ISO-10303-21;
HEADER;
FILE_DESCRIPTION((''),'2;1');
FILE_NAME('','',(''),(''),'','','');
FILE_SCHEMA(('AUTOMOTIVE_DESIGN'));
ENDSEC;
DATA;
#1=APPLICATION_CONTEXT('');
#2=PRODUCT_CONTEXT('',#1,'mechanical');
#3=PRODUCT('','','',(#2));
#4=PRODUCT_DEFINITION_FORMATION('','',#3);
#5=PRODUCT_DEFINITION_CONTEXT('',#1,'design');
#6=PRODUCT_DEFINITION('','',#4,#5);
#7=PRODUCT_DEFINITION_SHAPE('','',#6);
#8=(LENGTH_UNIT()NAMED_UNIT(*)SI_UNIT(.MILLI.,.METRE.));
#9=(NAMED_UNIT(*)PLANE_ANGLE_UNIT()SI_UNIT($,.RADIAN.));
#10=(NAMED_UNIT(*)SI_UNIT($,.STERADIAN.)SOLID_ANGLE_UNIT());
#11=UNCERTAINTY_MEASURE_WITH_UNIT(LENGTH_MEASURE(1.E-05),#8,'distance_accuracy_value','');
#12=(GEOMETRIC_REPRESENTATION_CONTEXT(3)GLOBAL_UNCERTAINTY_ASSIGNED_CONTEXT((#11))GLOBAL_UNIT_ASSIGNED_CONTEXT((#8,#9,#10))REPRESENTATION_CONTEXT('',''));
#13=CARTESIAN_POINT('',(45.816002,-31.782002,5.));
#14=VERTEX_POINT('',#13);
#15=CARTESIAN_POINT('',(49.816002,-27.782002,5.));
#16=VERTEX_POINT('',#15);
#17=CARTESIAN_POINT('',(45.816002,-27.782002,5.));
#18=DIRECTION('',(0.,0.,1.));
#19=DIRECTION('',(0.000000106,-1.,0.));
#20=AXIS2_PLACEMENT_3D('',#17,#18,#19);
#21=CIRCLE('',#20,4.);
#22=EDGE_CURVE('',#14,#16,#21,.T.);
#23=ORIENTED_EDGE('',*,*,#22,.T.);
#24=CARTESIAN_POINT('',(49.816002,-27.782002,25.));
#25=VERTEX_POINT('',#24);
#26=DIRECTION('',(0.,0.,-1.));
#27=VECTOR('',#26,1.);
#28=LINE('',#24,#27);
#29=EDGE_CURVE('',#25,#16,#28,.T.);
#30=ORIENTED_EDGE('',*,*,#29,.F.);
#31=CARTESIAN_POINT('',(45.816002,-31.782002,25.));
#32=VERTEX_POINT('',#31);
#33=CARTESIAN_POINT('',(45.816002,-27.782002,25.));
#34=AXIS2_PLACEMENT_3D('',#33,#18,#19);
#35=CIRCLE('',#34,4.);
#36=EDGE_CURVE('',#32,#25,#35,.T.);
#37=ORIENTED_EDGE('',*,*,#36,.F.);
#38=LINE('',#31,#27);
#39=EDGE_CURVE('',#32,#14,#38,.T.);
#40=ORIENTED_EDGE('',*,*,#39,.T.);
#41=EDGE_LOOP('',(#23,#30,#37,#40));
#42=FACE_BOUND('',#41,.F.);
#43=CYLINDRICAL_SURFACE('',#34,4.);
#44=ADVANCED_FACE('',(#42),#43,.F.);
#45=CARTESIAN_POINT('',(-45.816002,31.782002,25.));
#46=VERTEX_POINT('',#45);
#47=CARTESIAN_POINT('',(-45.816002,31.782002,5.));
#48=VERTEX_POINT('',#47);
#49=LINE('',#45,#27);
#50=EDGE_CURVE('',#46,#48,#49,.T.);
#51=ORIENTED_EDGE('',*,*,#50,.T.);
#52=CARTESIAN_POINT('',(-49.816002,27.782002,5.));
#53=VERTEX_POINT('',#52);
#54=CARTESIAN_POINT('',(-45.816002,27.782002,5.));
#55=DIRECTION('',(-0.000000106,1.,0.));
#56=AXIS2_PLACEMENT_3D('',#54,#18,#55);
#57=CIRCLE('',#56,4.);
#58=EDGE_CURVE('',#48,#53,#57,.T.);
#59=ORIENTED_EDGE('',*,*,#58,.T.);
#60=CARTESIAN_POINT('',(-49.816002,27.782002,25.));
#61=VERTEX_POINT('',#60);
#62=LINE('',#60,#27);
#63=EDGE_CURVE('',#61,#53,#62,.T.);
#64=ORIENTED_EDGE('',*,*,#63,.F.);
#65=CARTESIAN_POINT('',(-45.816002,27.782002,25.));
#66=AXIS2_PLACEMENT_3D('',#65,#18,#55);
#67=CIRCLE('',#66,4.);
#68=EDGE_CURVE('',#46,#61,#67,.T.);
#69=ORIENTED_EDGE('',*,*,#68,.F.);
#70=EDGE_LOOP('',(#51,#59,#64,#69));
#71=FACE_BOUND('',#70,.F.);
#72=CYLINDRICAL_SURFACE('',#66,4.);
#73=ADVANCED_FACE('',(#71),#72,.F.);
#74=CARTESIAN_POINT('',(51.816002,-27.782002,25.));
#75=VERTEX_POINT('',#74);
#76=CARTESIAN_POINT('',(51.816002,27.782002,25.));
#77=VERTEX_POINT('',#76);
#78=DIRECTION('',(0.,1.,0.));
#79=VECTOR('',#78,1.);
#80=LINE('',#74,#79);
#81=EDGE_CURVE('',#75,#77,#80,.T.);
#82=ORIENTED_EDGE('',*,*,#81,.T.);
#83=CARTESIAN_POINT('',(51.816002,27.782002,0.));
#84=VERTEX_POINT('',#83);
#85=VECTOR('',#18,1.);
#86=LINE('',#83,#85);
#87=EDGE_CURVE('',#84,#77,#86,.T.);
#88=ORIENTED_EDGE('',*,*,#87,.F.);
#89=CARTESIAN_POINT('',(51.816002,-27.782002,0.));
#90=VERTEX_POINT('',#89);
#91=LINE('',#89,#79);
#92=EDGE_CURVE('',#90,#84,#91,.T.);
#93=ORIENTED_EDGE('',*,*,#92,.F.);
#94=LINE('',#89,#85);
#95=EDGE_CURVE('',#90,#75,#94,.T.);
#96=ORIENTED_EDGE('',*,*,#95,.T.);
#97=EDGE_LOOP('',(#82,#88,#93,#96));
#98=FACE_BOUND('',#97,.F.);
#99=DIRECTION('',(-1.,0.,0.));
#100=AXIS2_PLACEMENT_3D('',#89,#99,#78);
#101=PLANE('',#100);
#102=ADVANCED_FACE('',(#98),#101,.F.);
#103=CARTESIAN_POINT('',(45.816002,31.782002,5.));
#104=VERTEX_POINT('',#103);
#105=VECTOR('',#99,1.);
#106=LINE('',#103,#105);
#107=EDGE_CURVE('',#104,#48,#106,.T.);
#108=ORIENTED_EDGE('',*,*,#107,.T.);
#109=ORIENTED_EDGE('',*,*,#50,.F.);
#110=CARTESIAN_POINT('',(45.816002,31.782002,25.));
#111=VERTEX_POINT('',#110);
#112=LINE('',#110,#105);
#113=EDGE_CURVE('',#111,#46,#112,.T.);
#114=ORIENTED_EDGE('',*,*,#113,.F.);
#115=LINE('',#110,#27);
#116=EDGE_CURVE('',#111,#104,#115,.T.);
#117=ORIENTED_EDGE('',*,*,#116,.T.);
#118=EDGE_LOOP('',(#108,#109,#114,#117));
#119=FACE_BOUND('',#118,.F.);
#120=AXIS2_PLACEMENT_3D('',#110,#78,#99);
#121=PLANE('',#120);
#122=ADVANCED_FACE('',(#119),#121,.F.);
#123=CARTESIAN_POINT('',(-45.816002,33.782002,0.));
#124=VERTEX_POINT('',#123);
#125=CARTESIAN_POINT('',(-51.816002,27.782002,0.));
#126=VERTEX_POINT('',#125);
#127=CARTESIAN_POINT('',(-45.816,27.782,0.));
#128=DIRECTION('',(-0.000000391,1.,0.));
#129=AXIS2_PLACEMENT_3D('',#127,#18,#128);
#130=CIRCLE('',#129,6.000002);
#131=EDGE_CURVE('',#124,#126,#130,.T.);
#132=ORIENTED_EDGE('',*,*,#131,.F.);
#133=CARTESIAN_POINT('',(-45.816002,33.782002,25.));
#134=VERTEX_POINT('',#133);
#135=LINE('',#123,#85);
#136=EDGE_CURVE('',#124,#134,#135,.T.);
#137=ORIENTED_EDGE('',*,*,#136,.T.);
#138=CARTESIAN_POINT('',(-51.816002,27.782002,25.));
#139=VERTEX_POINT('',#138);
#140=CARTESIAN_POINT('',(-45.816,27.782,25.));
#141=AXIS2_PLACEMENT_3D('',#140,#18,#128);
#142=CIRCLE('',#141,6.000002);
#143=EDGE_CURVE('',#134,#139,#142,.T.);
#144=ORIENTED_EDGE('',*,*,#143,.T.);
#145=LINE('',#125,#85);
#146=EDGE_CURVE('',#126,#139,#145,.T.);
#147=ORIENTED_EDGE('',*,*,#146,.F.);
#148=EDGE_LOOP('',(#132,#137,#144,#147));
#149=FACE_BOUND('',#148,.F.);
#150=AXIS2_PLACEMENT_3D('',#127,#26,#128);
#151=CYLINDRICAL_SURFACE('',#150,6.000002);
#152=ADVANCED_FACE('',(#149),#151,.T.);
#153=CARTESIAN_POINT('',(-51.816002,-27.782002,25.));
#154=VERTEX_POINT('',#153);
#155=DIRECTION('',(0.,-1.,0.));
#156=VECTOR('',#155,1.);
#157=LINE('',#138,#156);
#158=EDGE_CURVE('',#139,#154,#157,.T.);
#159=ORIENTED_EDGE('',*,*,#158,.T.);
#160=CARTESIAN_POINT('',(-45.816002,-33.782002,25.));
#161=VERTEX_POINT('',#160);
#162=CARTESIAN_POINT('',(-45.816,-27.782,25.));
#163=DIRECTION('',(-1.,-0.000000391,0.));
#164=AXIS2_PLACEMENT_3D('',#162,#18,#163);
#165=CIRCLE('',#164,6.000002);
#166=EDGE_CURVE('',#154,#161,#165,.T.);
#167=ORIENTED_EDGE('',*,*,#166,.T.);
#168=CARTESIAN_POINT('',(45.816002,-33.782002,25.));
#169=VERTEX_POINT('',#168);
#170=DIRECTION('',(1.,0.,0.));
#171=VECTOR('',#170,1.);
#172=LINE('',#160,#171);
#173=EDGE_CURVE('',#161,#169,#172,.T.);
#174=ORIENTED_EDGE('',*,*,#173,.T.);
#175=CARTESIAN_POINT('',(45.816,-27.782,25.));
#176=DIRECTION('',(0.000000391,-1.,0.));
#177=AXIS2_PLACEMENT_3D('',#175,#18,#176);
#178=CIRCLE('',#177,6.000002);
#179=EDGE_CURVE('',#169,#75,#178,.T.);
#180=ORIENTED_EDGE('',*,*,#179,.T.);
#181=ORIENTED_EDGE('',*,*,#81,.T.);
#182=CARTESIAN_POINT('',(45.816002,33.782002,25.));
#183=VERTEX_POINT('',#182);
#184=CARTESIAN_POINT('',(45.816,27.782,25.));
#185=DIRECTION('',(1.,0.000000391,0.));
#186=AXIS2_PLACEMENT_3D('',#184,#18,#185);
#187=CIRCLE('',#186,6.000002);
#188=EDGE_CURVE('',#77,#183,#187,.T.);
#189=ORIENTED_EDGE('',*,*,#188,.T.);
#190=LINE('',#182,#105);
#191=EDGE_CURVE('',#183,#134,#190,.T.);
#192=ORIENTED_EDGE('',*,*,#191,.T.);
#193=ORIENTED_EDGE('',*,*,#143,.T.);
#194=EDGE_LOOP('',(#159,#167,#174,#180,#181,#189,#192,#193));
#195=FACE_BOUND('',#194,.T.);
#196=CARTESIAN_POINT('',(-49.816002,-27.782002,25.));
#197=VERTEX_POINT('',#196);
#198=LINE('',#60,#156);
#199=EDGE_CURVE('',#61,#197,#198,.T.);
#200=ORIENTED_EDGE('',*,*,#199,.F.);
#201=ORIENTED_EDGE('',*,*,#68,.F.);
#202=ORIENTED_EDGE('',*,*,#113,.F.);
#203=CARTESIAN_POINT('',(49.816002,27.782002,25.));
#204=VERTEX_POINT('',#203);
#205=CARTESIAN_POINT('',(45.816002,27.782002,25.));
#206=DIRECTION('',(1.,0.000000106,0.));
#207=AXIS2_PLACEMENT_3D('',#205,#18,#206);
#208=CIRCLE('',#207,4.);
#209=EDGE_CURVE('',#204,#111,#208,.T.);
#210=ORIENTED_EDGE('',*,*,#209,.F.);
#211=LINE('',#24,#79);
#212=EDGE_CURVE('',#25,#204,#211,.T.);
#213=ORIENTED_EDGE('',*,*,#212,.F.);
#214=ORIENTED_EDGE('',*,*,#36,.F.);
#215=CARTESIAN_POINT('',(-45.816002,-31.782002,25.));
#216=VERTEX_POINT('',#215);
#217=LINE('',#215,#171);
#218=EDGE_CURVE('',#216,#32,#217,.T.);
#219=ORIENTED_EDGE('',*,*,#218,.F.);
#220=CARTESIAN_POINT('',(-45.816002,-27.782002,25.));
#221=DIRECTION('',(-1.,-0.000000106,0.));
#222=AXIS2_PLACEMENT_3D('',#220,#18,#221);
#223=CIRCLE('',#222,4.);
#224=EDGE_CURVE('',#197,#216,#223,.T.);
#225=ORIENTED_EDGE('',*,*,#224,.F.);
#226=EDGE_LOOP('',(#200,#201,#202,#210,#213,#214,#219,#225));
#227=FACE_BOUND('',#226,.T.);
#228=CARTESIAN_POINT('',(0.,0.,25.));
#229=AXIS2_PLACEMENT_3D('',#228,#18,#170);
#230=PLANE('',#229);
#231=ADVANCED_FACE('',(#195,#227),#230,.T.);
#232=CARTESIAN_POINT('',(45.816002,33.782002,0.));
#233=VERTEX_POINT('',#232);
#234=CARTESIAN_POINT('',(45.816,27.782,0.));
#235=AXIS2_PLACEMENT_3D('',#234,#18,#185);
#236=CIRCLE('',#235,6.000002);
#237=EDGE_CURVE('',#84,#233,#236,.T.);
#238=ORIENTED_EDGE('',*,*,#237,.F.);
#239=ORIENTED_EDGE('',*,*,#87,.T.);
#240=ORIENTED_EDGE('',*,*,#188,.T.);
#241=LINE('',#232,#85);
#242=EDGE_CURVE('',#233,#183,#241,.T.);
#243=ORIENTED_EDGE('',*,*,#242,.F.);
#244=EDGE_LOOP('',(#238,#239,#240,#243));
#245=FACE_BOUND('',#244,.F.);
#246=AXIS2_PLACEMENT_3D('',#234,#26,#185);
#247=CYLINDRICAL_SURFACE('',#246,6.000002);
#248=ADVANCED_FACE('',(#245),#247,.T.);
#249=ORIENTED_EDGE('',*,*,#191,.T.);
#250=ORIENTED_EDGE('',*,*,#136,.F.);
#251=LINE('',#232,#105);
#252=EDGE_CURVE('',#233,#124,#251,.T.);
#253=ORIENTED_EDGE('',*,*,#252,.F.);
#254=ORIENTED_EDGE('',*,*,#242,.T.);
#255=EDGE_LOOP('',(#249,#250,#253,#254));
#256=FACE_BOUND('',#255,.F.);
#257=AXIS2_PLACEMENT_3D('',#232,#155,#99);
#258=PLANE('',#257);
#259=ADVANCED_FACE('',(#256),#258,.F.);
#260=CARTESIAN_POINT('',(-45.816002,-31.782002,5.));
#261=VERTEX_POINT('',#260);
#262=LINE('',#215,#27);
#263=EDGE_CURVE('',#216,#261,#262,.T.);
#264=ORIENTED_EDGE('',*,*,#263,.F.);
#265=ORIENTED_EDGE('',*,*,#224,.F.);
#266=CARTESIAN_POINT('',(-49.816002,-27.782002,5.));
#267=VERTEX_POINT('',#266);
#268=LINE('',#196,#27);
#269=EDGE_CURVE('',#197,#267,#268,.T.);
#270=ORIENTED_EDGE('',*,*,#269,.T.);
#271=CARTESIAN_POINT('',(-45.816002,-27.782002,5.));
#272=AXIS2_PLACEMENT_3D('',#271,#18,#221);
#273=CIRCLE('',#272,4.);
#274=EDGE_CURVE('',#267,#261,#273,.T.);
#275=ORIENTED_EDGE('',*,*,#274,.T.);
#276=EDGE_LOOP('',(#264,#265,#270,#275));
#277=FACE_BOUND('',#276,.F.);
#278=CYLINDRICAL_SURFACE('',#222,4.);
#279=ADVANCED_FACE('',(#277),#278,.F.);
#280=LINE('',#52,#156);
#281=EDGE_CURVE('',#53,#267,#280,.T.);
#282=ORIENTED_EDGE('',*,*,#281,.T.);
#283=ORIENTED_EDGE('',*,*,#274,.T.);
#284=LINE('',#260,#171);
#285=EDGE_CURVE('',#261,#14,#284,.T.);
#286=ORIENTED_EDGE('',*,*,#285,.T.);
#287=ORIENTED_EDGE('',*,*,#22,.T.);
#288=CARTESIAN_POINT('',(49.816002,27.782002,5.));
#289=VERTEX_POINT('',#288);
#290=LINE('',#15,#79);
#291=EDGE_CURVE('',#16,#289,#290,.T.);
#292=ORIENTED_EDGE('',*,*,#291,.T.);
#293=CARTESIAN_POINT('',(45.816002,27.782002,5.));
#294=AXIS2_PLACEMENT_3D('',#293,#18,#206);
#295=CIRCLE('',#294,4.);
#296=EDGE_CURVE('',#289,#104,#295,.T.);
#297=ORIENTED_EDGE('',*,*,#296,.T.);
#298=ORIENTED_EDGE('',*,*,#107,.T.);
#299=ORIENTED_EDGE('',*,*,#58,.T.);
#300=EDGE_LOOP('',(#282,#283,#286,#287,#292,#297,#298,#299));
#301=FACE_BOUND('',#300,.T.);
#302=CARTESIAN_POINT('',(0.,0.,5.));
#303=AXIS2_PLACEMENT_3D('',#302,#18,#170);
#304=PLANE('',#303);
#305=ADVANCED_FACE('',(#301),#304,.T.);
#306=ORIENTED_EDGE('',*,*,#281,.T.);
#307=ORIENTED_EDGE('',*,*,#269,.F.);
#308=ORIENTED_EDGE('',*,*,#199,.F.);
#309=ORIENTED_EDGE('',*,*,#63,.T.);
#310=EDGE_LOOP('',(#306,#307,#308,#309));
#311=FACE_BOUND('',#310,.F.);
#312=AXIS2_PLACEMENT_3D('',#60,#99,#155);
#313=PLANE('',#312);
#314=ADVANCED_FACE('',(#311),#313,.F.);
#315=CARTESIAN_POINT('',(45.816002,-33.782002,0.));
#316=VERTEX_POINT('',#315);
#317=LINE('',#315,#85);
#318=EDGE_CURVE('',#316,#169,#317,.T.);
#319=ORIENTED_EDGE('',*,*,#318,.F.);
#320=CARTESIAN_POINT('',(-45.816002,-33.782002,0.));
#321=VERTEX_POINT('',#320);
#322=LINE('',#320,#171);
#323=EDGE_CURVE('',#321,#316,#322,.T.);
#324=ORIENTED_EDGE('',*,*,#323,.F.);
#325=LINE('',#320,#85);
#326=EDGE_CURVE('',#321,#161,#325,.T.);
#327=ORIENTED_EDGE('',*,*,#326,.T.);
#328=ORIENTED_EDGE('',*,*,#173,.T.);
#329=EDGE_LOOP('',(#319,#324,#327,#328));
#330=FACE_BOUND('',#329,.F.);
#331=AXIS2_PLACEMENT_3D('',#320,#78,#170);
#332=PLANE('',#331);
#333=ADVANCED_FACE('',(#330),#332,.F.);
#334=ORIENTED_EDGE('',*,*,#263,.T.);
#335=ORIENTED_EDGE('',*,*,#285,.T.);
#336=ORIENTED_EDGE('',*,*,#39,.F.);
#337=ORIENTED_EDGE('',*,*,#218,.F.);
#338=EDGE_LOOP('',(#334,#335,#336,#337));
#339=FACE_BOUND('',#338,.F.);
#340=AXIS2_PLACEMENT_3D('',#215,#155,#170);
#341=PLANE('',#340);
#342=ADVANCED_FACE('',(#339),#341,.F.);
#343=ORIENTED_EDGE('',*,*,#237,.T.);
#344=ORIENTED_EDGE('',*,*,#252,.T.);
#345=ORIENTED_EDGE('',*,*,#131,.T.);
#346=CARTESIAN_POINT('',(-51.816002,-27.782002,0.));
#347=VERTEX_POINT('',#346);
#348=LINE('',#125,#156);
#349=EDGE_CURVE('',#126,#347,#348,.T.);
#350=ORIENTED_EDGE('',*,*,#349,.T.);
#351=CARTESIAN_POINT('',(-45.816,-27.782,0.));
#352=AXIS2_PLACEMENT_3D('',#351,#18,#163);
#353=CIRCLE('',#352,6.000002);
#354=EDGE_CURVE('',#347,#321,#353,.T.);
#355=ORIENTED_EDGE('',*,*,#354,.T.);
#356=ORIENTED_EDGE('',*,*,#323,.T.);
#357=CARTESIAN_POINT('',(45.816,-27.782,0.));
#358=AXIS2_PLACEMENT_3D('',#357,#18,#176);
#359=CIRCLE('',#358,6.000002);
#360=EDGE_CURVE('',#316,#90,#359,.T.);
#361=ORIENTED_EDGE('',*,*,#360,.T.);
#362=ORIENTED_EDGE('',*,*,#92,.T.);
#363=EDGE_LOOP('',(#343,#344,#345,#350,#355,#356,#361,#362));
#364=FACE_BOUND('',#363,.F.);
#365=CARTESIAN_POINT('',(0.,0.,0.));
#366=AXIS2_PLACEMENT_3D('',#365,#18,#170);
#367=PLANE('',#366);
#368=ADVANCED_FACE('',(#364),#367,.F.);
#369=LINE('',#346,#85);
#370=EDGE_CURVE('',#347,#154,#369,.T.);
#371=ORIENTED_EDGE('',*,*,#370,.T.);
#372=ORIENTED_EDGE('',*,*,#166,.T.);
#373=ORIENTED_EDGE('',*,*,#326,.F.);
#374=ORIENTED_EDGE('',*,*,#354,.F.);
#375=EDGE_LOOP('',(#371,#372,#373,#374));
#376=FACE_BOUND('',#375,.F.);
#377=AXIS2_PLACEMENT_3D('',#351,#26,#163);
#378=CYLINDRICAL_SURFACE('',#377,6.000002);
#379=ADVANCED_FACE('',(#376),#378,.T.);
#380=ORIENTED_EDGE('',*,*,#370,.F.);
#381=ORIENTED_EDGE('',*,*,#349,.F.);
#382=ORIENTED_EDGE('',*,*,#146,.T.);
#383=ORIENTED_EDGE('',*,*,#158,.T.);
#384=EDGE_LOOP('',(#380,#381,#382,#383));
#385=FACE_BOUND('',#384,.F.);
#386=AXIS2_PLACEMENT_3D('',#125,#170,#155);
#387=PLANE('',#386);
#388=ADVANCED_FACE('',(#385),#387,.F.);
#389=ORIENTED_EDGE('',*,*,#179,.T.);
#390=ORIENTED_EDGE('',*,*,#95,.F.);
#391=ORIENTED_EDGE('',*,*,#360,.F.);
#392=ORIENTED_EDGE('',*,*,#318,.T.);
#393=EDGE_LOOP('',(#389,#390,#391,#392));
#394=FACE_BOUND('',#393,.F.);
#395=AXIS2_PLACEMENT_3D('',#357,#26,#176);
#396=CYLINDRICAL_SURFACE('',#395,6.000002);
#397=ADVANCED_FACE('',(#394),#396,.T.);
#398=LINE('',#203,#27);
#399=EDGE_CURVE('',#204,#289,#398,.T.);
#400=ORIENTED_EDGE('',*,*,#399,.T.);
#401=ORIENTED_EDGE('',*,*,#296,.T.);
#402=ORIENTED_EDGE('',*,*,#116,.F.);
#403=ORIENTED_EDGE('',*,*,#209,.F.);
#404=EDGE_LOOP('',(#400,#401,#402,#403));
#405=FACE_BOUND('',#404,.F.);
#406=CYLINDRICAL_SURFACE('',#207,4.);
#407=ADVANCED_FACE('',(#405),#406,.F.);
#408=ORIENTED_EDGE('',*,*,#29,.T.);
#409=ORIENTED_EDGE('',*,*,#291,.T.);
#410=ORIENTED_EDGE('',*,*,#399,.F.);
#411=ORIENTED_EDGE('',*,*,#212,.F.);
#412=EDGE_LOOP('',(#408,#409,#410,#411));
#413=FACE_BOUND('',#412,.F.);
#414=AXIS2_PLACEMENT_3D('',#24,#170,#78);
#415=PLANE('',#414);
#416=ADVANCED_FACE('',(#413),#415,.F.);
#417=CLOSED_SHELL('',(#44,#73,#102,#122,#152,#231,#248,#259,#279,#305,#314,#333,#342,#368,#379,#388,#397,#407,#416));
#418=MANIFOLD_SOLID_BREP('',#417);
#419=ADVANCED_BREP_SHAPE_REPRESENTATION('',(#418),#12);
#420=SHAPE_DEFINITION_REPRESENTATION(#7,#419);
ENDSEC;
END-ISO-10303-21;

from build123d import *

# Parameters (mm, degrees)
F1_DEPTH = 25
F3_DEPTH = 20


with BuildPart() as f1:
    # F0 (on Top) → F1 (new body)
    with BuildSketch(Plane.XY):
        with BuildLine():
            Line((-45.816002, -33.782002), (45.816002, -33.782002))
            ThreePointArc((45.816002, -33.782002), (50.058642, -32.024642), (51.816002, -27.782002))
            Line((51.816002, -27.782002), (51.816002, 27.782002))
            ThreePointArc((51.816002, 27.782002), (50.058642, 32.024642), (45.816002, 33.782002))
            Line((45.816002, 33.782002), (-45.816002, 33.782002))
            ThreePointArc((-45.816002, 33.782002), (-50.058642, 32.024642), (-51.816002, 27.782002))
            Line((-51.816002, 27.782002), (-51.816002, -27.782002))
            ThreePointArc((-51.816002, -27.782002), (-50.058642, -32.024642), (-45.816002, -33.782002))
        make_face()
    extrude(amount=F1_DEPTH)

    # F2 (on face) → F3 (cut)
    with BuildSketch(Plane.XY.offset(25)):
        with BuildLine():
            ThreePointArc((45.816002, -31.782002), (48.644429, -30.610429), (49.816002, -27.782002))
            Line((49.816002, -27.782002), (49.816002, 27.782002))
            ThreePointArc((49.816002, 27.782002), (48.644429, 30.610429), (45.816002, 31.782002))
            Line((45.816002, 31.782002), (-45.816002, 31.782002))
            ThreePointArc((-45.816002, 31.782002), (-48.644429, 30.610429), (-49.816002, 27.782002))
            Line((-49.816002, 27.782002), (-49.816002, -27.782002))
            ThreePointArc((-49.816002, -27.782002), (-48.644429, -30.610429), (-45.816002, -31.782002))
            Line((-45.816002, -31.782002), (45.816002, -31.782002))
        make_face()
    extrude(amount=-F3_DEPTH, mode=Mode.SUBTRACT)


solid = f1.part
